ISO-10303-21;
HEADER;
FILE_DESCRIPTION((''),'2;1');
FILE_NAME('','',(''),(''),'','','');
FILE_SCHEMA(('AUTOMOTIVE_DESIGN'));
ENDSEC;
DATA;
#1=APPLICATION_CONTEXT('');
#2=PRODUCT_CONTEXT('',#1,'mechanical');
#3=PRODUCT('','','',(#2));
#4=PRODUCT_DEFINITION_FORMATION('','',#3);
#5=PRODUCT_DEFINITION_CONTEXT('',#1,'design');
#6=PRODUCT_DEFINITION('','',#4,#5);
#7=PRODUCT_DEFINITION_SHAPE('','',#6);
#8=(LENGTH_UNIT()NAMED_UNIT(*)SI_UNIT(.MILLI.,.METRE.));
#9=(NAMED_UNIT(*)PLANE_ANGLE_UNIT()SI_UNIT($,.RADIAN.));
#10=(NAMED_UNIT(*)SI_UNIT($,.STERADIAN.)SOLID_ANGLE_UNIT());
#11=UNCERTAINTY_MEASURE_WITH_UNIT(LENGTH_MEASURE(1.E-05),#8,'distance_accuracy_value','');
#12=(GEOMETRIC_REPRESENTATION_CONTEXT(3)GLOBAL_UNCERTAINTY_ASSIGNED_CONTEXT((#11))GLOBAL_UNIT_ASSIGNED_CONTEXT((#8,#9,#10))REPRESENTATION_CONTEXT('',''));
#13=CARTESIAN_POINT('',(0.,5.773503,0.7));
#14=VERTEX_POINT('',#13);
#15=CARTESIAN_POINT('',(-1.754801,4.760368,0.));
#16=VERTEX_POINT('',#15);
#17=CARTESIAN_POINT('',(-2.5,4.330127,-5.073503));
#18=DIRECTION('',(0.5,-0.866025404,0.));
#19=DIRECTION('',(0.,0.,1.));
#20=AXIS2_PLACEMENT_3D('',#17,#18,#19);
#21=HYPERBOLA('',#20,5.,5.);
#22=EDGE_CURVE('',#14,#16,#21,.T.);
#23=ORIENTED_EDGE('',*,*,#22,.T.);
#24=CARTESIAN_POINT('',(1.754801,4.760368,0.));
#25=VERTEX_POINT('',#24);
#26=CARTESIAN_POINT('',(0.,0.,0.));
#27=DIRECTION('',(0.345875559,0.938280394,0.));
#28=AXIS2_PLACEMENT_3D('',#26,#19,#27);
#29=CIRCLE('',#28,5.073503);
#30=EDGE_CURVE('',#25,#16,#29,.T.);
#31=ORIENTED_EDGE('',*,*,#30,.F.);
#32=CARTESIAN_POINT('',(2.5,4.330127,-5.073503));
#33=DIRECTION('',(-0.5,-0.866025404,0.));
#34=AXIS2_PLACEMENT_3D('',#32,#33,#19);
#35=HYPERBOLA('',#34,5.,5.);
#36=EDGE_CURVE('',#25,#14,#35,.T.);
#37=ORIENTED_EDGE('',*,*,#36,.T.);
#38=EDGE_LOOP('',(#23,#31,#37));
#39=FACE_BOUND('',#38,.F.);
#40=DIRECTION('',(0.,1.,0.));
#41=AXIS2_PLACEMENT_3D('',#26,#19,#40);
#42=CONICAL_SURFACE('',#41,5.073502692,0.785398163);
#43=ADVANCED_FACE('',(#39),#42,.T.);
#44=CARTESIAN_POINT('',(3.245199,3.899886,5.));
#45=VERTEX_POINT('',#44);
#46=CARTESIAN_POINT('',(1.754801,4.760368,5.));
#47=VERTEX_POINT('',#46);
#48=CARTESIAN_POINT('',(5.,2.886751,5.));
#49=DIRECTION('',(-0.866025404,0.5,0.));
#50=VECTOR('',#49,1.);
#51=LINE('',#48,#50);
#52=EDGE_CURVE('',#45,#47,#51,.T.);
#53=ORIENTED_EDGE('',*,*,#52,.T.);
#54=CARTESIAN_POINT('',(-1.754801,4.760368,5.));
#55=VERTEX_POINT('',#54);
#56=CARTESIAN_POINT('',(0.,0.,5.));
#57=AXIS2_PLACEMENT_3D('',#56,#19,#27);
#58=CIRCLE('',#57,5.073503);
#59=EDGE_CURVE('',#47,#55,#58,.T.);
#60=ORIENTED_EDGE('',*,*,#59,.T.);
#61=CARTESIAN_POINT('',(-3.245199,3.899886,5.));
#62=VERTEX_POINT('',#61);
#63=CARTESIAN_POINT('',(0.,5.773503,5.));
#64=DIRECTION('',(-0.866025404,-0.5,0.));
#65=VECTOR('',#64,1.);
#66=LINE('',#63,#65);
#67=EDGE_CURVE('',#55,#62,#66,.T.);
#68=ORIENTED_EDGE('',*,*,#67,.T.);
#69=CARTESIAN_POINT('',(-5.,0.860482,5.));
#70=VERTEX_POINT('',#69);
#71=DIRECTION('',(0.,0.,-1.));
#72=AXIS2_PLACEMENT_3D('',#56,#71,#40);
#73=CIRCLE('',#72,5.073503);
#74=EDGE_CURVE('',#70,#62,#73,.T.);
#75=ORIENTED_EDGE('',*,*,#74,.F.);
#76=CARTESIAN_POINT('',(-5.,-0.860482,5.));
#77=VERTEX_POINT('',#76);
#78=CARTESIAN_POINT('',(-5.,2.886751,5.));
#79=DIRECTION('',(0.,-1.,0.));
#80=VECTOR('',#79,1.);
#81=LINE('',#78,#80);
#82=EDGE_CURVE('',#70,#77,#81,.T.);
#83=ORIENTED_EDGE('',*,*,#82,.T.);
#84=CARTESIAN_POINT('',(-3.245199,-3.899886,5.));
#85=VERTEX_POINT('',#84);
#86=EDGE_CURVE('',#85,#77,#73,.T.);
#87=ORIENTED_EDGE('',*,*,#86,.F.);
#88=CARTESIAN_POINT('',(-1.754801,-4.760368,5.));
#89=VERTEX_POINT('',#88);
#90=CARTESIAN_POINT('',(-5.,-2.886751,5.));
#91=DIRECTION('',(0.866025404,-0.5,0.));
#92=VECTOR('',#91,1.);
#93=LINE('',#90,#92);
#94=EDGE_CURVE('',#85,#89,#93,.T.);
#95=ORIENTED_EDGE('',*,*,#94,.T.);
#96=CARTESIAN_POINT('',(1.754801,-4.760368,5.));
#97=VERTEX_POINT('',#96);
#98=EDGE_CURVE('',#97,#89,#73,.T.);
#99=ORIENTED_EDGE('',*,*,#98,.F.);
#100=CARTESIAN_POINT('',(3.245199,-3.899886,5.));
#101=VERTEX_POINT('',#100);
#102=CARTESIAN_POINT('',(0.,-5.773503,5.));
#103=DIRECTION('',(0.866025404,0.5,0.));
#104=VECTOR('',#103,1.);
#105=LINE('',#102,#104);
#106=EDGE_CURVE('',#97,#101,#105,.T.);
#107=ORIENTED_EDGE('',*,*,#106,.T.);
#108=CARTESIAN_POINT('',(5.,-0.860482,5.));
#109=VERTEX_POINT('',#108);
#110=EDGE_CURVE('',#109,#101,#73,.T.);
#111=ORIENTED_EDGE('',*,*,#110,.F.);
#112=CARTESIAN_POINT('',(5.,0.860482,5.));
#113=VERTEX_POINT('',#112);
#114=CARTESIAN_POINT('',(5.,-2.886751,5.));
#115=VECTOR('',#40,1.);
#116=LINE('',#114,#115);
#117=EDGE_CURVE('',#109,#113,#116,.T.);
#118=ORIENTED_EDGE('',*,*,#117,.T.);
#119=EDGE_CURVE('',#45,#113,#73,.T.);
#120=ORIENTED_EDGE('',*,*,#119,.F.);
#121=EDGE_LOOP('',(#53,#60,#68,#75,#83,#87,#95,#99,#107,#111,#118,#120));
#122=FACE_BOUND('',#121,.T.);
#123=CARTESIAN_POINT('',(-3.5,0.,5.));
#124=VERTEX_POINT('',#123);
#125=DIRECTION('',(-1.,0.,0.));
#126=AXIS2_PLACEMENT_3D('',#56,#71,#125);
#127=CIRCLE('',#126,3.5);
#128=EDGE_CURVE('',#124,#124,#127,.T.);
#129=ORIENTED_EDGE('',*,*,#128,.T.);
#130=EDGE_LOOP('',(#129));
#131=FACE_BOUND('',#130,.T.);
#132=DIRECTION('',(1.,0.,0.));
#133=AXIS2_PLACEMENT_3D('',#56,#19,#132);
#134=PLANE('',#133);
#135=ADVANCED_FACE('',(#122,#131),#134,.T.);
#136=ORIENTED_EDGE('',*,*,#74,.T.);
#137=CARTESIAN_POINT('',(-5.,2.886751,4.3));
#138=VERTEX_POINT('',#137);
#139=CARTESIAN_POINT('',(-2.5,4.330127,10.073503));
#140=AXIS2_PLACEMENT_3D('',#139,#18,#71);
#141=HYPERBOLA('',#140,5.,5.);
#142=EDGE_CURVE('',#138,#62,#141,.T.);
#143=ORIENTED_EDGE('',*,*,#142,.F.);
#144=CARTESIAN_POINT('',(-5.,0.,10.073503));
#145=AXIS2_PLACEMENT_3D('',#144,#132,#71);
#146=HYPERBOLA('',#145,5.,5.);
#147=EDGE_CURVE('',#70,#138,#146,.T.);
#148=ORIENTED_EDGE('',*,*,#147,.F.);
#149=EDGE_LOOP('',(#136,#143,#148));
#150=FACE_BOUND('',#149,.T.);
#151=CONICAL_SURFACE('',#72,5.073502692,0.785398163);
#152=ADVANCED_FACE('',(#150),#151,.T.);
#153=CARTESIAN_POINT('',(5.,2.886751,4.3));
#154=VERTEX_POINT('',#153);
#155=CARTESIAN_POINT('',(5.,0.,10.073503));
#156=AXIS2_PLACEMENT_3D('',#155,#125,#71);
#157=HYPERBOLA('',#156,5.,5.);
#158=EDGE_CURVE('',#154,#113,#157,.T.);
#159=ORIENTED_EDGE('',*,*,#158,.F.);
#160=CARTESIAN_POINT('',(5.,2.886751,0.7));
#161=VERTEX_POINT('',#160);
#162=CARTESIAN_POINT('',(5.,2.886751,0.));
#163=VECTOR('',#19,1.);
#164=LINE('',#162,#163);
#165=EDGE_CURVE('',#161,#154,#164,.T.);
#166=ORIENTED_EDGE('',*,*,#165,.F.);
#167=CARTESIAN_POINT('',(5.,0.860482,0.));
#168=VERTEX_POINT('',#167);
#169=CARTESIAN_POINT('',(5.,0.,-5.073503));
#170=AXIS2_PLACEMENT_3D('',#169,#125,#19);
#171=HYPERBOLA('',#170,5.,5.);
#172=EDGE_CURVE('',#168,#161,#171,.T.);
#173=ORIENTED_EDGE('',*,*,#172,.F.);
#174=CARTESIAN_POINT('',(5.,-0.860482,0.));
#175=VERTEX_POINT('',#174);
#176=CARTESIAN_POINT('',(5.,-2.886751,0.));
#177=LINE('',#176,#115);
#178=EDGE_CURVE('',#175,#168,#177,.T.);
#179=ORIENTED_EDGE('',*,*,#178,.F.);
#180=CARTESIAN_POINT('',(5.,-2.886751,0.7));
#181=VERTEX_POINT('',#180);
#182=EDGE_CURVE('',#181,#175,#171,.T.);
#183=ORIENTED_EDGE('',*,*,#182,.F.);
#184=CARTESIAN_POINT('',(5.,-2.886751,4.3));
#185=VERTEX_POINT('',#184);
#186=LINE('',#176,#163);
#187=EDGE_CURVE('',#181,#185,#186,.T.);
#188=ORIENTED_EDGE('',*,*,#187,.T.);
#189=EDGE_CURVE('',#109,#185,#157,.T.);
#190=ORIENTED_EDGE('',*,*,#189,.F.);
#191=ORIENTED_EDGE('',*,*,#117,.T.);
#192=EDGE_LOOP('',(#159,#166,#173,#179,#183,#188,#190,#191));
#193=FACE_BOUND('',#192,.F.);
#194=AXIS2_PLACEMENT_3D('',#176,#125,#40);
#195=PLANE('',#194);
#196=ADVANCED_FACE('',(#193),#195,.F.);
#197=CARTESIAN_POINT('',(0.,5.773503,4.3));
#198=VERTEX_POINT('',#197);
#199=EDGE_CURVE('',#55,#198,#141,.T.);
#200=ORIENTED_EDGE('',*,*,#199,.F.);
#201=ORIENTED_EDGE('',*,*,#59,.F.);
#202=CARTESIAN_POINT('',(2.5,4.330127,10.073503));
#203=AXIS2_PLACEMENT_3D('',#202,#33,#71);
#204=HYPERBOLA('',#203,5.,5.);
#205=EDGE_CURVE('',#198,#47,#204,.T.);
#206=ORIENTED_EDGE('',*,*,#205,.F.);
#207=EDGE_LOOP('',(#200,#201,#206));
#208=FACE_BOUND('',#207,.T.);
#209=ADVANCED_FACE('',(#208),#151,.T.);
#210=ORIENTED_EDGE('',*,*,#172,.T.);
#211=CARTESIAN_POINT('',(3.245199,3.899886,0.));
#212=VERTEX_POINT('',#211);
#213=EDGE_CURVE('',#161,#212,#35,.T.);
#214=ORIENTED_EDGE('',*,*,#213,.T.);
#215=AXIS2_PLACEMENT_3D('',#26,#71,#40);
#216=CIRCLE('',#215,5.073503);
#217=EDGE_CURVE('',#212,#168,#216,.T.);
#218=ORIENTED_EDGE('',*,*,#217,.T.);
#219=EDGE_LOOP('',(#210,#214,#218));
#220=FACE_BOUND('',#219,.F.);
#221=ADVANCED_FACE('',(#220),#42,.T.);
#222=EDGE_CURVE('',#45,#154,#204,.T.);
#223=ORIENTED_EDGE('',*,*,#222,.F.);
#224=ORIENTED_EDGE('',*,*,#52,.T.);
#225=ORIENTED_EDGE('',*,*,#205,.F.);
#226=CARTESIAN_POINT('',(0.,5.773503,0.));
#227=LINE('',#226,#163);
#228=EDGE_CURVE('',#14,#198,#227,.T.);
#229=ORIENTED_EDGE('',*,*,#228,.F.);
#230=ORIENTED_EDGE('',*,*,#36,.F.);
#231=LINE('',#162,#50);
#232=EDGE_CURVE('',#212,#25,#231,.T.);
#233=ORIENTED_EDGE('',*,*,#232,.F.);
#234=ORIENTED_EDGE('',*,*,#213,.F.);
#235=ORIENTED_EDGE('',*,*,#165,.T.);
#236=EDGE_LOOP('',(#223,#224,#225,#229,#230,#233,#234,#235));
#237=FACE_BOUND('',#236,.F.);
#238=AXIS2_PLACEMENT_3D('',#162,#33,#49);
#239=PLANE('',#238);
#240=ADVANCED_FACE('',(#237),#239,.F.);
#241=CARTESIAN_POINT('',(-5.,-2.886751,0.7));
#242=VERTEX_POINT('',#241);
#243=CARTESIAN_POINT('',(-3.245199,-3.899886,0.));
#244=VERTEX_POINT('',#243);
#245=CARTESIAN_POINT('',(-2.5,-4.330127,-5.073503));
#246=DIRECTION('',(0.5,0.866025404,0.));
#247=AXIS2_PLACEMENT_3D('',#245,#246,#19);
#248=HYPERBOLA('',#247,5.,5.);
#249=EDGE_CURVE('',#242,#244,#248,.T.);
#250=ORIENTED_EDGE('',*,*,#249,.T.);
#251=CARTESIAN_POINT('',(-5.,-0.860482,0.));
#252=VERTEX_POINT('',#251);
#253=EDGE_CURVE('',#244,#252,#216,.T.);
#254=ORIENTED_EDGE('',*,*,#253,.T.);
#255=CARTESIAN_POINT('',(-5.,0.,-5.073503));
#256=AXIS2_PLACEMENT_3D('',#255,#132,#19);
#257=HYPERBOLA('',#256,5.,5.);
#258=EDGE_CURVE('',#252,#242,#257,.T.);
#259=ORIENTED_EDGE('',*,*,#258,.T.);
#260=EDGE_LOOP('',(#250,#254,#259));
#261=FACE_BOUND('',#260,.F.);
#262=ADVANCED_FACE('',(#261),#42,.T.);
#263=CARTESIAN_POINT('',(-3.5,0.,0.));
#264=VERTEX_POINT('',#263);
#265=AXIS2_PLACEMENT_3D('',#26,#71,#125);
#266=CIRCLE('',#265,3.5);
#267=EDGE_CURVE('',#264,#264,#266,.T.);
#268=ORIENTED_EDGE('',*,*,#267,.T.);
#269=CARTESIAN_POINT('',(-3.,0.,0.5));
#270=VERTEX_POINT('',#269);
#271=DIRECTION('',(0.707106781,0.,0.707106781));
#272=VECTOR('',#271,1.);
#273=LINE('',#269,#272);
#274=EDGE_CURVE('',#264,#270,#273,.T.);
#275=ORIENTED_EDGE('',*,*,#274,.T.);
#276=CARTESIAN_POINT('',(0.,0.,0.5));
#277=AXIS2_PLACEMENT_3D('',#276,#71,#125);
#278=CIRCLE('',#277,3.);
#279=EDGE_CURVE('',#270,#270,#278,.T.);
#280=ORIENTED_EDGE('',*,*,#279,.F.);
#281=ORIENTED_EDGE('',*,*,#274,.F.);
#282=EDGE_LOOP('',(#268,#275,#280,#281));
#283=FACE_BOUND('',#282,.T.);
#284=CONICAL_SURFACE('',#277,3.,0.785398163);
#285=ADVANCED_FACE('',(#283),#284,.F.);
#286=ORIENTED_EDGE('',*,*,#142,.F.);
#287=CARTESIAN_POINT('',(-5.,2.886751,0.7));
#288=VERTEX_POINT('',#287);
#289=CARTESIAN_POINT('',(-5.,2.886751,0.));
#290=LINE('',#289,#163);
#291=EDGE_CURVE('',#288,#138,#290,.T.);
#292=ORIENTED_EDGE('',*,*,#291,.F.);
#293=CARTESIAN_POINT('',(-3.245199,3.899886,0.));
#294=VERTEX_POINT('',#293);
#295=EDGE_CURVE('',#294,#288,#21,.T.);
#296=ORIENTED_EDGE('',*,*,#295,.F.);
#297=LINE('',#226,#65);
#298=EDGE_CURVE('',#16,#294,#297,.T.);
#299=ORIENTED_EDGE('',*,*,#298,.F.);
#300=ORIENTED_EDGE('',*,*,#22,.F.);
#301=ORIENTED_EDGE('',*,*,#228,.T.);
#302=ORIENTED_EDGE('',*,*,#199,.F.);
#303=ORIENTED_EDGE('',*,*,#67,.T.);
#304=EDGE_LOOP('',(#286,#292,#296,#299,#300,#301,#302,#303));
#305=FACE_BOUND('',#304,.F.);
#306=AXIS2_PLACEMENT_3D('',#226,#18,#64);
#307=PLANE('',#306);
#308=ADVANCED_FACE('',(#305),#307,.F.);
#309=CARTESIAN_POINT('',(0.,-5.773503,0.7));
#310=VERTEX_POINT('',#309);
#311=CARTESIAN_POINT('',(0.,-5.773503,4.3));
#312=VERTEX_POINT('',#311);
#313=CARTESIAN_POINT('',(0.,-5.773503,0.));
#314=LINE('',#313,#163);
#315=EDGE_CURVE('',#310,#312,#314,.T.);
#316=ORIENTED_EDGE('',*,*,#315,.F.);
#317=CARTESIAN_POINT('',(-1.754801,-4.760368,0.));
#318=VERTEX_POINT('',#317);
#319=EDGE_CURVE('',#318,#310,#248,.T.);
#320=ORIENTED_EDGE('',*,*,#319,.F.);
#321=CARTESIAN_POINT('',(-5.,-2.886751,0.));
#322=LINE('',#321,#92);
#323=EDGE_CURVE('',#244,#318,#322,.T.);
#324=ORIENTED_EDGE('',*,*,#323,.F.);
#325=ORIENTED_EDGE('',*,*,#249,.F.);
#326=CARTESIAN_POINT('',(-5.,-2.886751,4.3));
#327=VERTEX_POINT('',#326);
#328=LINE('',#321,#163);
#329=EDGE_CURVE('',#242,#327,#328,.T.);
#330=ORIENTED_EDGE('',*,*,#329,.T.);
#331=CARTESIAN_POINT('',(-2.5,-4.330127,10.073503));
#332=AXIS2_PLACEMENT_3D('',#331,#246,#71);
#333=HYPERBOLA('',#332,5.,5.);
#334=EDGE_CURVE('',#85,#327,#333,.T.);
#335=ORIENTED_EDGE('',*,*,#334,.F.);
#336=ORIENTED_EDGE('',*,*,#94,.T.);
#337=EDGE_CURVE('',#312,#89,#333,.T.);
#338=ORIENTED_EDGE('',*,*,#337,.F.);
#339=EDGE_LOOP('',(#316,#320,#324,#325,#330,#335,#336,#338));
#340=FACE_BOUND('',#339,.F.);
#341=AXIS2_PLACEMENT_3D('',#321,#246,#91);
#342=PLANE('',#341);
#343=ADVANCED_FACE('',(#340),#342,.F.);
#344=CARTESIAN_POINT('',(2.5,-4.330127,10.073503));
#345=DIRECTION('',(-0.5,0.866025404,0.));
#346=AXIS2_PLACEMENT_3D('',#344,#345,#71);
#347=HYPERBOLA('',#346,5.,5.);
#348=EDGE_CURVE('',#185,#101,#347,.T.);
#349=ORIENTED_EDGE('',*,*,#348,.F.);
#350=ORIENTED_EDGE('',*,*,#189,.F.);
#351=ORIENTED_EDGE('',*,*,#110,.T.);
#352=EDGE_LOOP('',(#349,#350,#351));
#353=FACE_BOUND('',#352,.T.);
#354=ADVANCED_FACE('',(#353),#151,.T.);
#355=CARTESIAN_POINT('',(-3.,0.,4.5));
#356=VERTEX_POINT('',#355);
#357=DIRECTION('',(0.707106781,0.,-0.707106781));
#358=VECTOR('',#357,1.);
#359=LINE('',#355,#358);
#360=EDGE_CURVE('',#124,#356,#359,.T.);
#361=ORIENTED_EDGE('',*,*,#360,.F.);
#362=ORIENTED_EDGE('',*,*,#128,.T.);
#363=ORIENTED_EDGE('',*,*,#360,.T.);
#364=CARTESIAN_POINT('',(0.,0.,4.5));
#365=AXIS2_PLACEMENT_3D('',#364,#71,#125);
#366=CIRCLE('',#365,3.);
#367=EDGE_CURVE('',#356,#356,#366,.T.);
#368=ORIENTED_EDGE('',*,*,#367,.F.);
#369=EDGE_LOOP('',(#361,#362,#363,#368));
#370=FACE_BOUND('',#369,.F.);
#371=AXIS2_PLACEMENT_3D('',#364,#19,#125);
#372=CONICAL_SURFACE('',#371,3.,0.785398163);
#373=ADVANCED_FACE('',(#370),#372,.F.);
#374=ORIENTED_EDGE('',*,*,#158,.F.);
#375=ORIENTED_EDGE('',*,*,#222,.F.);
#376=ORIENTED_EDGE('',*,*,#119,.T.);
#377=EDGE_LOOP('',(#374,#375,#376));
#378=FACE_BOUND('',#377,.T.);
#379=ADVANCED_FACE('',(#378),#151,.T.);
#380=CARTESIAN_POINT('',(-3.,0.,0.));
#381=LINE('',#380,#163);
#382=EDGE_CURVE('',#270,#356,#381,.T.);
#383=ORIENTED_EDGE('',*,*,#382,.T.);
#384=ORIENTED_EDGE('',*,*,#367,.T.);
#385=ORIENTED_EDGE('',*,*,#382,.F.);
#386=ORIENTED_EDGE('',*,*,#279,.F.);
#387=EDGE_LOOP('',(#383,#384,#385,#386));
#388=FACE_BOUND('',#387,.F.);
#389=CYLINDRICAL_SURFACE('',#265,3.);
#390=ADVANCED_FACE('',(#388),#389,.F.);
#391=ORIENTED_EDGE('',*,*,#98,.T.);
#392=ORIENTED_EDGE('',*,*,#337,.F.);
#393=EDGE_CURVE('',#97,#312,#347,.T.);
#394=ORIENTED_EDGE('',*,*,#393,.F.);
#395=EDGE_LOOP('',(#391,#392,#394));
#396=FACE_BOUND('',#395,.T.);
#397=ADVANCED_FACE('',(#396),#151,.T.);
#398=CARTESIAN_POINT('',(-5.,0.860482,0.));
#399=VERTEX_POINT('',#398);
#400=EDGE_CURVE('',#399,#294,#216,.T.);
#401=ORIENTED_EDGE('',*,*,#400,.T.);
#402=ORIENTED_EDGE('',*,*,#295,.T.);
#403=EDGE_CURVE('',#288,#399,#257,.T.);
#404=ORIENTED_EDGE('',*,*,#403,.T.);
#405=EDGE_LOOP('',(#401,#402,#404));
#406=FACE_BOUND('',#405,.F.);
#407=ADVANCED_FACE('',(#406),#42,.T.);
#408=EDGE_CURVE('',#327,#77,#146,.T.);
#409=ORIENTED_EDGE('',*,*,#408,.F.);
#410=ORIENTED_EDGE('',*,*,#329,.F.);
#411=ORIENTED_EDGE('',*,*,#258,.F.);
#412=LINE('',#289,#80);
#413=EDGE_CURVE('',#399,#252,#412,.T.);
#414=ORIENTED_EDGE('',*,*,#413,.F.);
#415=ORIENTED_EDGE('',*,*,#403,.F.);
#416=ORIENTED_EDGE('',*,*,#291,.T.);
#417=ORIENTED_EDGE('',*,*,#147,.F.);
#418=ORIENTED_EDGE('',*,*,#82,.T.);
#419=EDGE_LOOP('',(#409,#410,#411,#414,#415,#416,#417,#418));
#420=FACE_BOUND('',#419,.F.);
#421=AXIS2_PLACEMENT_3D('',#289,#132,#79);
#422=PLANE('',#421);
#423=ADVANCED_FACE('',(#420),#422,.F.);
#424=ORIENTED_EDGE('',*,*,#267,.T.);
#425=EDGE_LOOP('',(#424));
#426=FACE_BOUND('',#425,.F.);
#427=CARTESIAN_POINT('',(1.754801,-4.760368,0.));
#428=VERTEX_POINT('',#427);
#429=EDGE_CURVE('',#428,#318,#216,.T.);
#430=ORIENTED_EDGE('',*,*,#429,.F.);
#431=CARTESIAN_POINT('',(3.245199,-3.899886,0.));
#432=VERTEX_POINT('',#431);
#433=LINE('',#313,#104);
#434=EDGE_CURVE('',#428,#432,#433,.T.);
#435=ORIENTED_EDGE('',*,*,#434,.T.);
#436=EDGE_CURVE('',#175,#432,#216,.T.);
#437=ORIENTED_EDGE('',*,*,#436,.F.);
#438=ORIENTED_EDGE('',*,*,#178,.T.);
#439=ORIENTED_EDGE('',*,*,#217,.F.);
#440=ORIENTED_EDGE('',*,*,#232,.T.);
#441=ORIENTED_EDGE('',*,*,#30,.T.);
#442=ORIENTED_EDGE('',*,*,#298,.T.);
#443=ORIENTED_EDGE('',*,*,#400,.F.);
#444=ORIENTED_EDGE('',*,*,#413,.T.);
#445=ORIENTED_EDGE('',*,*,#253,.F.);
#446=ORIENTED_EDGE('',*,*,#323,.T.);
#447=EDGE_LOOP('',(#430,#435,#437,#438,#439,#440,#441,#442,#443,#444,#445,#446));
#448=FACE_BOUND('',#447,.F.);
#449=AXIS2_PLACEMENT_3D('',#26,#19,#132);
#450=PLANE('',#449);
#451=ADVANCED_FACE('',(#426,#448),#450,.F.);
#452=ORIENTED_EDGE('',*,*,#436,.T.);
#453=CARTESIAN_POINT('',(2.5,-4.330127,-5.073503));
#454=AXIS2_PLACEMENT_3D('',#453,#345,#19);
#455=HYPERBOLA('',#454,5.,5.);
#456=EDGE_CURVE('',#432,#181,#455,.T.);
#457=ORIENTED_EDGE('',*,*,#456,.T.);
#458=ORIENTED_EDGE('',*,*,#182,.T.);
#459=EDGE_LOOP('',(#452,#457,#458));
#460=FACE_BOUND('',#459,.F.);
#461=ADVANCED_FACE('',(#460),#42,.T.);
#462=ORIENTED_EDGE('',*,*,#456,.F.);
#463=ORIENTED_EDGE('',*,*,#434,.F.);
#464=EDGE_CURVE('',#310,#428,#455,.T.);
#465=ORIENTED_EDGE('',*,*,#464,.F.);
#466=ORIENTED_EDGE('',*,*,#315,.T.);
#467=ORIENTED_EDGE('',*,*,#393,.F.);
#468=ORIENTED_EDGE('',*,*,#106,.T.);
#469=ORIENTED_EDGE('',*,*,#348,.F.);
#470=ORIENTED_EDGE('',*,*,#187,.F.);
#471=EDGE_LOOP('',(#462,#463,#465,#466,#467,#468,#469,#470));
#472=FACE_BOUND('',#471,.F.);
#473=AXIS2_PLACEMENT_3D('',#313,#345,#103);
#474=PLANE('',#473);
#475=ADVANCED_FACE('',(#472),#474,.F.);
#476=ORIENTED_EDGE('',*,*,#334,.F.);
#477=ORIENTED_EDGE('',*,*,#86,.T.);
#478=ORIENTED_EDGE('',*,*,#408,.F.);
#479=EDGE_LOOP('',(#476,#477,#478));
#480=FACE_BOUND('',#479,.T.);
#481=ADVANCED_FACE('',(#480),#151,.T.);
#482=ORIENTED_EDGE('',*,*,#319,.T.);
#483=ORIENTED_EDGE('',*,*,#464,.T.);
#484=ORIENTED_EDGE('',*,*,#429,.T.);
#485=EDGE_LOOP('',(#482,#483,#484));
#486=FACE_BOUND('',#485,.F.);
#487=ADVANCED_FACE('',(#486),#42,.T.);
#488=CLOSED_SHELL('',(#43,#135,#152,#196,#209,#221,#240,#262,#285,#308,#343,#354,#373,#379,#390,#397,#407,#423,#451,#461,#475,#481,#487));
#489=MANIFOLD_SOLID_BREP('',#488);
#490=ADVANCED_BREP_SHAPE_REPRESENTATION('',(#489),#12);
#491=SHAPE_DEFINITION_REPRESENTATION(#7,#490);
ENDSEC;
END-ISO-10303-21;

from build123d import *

# Parameters (mm, degrees)
EXTRUDE_1_DEPTH     = 5
SKETCH_2_R          = 3
CUT_EXTRUDE_1_DEPTH = 10.128709292
CHAMFER_1_SIZE      = 0.5


with BuildPart() as part:
    # Эскиз1 → Вытянуть1 (new body)
    with BuildSketch(Plane.XY):
        Polygon((0, 5.773502692), (-5, 2.886751346), (-5, -2.886751346), (0, -5.773502692), (5, -2.886751346), (5, 2.886751346), align=None)
    extrude(amount=EXTRUDE_1_DEPTH)

    # Эскиз15 → Вырез-Повернуть1 (revolve, cut)
    with BuildSketch(Plane(origin=(0, 0, 0), x_dir=(0, 0, -1), z_dir=(1, 0, 0))):
        Polygon((-5, 5.773502692), (-5, 5.073502692), (-4.3, 5.773502692), align=None)
        Polygon((-0.7, 5.773502692), (0, 5.773502692), (0, 5.073502692), align=None)
    revolve(axis=Axis((0, 0, 2.633835381), (0, 0, -1)), mode=Mode.SUBTRACT)

    # Эскиз2 → Вырез-Вытянуть1 (cut, through all)
    with BuildSketch(Plane(origin=(0, 0, 0), x_dir=(-1, 0, 0), z_dir=(0, 0, -1))):
        Circle(SKETCH_2_R)
    extrude(amount=-CUT_EXTRUDE_1_DEPTH, mode=Mode.SUBTRACT)

    # Фаска1
    chamfer_1_edges = [part.edges().sort_by_distance(p)[0] for p in [
        (3, 0, 5),
        (3, 0, 0),
    ]]
    chamfer(chamfer_1_edges, length=CHAMFER_1_SIZE)


solid = part.part
